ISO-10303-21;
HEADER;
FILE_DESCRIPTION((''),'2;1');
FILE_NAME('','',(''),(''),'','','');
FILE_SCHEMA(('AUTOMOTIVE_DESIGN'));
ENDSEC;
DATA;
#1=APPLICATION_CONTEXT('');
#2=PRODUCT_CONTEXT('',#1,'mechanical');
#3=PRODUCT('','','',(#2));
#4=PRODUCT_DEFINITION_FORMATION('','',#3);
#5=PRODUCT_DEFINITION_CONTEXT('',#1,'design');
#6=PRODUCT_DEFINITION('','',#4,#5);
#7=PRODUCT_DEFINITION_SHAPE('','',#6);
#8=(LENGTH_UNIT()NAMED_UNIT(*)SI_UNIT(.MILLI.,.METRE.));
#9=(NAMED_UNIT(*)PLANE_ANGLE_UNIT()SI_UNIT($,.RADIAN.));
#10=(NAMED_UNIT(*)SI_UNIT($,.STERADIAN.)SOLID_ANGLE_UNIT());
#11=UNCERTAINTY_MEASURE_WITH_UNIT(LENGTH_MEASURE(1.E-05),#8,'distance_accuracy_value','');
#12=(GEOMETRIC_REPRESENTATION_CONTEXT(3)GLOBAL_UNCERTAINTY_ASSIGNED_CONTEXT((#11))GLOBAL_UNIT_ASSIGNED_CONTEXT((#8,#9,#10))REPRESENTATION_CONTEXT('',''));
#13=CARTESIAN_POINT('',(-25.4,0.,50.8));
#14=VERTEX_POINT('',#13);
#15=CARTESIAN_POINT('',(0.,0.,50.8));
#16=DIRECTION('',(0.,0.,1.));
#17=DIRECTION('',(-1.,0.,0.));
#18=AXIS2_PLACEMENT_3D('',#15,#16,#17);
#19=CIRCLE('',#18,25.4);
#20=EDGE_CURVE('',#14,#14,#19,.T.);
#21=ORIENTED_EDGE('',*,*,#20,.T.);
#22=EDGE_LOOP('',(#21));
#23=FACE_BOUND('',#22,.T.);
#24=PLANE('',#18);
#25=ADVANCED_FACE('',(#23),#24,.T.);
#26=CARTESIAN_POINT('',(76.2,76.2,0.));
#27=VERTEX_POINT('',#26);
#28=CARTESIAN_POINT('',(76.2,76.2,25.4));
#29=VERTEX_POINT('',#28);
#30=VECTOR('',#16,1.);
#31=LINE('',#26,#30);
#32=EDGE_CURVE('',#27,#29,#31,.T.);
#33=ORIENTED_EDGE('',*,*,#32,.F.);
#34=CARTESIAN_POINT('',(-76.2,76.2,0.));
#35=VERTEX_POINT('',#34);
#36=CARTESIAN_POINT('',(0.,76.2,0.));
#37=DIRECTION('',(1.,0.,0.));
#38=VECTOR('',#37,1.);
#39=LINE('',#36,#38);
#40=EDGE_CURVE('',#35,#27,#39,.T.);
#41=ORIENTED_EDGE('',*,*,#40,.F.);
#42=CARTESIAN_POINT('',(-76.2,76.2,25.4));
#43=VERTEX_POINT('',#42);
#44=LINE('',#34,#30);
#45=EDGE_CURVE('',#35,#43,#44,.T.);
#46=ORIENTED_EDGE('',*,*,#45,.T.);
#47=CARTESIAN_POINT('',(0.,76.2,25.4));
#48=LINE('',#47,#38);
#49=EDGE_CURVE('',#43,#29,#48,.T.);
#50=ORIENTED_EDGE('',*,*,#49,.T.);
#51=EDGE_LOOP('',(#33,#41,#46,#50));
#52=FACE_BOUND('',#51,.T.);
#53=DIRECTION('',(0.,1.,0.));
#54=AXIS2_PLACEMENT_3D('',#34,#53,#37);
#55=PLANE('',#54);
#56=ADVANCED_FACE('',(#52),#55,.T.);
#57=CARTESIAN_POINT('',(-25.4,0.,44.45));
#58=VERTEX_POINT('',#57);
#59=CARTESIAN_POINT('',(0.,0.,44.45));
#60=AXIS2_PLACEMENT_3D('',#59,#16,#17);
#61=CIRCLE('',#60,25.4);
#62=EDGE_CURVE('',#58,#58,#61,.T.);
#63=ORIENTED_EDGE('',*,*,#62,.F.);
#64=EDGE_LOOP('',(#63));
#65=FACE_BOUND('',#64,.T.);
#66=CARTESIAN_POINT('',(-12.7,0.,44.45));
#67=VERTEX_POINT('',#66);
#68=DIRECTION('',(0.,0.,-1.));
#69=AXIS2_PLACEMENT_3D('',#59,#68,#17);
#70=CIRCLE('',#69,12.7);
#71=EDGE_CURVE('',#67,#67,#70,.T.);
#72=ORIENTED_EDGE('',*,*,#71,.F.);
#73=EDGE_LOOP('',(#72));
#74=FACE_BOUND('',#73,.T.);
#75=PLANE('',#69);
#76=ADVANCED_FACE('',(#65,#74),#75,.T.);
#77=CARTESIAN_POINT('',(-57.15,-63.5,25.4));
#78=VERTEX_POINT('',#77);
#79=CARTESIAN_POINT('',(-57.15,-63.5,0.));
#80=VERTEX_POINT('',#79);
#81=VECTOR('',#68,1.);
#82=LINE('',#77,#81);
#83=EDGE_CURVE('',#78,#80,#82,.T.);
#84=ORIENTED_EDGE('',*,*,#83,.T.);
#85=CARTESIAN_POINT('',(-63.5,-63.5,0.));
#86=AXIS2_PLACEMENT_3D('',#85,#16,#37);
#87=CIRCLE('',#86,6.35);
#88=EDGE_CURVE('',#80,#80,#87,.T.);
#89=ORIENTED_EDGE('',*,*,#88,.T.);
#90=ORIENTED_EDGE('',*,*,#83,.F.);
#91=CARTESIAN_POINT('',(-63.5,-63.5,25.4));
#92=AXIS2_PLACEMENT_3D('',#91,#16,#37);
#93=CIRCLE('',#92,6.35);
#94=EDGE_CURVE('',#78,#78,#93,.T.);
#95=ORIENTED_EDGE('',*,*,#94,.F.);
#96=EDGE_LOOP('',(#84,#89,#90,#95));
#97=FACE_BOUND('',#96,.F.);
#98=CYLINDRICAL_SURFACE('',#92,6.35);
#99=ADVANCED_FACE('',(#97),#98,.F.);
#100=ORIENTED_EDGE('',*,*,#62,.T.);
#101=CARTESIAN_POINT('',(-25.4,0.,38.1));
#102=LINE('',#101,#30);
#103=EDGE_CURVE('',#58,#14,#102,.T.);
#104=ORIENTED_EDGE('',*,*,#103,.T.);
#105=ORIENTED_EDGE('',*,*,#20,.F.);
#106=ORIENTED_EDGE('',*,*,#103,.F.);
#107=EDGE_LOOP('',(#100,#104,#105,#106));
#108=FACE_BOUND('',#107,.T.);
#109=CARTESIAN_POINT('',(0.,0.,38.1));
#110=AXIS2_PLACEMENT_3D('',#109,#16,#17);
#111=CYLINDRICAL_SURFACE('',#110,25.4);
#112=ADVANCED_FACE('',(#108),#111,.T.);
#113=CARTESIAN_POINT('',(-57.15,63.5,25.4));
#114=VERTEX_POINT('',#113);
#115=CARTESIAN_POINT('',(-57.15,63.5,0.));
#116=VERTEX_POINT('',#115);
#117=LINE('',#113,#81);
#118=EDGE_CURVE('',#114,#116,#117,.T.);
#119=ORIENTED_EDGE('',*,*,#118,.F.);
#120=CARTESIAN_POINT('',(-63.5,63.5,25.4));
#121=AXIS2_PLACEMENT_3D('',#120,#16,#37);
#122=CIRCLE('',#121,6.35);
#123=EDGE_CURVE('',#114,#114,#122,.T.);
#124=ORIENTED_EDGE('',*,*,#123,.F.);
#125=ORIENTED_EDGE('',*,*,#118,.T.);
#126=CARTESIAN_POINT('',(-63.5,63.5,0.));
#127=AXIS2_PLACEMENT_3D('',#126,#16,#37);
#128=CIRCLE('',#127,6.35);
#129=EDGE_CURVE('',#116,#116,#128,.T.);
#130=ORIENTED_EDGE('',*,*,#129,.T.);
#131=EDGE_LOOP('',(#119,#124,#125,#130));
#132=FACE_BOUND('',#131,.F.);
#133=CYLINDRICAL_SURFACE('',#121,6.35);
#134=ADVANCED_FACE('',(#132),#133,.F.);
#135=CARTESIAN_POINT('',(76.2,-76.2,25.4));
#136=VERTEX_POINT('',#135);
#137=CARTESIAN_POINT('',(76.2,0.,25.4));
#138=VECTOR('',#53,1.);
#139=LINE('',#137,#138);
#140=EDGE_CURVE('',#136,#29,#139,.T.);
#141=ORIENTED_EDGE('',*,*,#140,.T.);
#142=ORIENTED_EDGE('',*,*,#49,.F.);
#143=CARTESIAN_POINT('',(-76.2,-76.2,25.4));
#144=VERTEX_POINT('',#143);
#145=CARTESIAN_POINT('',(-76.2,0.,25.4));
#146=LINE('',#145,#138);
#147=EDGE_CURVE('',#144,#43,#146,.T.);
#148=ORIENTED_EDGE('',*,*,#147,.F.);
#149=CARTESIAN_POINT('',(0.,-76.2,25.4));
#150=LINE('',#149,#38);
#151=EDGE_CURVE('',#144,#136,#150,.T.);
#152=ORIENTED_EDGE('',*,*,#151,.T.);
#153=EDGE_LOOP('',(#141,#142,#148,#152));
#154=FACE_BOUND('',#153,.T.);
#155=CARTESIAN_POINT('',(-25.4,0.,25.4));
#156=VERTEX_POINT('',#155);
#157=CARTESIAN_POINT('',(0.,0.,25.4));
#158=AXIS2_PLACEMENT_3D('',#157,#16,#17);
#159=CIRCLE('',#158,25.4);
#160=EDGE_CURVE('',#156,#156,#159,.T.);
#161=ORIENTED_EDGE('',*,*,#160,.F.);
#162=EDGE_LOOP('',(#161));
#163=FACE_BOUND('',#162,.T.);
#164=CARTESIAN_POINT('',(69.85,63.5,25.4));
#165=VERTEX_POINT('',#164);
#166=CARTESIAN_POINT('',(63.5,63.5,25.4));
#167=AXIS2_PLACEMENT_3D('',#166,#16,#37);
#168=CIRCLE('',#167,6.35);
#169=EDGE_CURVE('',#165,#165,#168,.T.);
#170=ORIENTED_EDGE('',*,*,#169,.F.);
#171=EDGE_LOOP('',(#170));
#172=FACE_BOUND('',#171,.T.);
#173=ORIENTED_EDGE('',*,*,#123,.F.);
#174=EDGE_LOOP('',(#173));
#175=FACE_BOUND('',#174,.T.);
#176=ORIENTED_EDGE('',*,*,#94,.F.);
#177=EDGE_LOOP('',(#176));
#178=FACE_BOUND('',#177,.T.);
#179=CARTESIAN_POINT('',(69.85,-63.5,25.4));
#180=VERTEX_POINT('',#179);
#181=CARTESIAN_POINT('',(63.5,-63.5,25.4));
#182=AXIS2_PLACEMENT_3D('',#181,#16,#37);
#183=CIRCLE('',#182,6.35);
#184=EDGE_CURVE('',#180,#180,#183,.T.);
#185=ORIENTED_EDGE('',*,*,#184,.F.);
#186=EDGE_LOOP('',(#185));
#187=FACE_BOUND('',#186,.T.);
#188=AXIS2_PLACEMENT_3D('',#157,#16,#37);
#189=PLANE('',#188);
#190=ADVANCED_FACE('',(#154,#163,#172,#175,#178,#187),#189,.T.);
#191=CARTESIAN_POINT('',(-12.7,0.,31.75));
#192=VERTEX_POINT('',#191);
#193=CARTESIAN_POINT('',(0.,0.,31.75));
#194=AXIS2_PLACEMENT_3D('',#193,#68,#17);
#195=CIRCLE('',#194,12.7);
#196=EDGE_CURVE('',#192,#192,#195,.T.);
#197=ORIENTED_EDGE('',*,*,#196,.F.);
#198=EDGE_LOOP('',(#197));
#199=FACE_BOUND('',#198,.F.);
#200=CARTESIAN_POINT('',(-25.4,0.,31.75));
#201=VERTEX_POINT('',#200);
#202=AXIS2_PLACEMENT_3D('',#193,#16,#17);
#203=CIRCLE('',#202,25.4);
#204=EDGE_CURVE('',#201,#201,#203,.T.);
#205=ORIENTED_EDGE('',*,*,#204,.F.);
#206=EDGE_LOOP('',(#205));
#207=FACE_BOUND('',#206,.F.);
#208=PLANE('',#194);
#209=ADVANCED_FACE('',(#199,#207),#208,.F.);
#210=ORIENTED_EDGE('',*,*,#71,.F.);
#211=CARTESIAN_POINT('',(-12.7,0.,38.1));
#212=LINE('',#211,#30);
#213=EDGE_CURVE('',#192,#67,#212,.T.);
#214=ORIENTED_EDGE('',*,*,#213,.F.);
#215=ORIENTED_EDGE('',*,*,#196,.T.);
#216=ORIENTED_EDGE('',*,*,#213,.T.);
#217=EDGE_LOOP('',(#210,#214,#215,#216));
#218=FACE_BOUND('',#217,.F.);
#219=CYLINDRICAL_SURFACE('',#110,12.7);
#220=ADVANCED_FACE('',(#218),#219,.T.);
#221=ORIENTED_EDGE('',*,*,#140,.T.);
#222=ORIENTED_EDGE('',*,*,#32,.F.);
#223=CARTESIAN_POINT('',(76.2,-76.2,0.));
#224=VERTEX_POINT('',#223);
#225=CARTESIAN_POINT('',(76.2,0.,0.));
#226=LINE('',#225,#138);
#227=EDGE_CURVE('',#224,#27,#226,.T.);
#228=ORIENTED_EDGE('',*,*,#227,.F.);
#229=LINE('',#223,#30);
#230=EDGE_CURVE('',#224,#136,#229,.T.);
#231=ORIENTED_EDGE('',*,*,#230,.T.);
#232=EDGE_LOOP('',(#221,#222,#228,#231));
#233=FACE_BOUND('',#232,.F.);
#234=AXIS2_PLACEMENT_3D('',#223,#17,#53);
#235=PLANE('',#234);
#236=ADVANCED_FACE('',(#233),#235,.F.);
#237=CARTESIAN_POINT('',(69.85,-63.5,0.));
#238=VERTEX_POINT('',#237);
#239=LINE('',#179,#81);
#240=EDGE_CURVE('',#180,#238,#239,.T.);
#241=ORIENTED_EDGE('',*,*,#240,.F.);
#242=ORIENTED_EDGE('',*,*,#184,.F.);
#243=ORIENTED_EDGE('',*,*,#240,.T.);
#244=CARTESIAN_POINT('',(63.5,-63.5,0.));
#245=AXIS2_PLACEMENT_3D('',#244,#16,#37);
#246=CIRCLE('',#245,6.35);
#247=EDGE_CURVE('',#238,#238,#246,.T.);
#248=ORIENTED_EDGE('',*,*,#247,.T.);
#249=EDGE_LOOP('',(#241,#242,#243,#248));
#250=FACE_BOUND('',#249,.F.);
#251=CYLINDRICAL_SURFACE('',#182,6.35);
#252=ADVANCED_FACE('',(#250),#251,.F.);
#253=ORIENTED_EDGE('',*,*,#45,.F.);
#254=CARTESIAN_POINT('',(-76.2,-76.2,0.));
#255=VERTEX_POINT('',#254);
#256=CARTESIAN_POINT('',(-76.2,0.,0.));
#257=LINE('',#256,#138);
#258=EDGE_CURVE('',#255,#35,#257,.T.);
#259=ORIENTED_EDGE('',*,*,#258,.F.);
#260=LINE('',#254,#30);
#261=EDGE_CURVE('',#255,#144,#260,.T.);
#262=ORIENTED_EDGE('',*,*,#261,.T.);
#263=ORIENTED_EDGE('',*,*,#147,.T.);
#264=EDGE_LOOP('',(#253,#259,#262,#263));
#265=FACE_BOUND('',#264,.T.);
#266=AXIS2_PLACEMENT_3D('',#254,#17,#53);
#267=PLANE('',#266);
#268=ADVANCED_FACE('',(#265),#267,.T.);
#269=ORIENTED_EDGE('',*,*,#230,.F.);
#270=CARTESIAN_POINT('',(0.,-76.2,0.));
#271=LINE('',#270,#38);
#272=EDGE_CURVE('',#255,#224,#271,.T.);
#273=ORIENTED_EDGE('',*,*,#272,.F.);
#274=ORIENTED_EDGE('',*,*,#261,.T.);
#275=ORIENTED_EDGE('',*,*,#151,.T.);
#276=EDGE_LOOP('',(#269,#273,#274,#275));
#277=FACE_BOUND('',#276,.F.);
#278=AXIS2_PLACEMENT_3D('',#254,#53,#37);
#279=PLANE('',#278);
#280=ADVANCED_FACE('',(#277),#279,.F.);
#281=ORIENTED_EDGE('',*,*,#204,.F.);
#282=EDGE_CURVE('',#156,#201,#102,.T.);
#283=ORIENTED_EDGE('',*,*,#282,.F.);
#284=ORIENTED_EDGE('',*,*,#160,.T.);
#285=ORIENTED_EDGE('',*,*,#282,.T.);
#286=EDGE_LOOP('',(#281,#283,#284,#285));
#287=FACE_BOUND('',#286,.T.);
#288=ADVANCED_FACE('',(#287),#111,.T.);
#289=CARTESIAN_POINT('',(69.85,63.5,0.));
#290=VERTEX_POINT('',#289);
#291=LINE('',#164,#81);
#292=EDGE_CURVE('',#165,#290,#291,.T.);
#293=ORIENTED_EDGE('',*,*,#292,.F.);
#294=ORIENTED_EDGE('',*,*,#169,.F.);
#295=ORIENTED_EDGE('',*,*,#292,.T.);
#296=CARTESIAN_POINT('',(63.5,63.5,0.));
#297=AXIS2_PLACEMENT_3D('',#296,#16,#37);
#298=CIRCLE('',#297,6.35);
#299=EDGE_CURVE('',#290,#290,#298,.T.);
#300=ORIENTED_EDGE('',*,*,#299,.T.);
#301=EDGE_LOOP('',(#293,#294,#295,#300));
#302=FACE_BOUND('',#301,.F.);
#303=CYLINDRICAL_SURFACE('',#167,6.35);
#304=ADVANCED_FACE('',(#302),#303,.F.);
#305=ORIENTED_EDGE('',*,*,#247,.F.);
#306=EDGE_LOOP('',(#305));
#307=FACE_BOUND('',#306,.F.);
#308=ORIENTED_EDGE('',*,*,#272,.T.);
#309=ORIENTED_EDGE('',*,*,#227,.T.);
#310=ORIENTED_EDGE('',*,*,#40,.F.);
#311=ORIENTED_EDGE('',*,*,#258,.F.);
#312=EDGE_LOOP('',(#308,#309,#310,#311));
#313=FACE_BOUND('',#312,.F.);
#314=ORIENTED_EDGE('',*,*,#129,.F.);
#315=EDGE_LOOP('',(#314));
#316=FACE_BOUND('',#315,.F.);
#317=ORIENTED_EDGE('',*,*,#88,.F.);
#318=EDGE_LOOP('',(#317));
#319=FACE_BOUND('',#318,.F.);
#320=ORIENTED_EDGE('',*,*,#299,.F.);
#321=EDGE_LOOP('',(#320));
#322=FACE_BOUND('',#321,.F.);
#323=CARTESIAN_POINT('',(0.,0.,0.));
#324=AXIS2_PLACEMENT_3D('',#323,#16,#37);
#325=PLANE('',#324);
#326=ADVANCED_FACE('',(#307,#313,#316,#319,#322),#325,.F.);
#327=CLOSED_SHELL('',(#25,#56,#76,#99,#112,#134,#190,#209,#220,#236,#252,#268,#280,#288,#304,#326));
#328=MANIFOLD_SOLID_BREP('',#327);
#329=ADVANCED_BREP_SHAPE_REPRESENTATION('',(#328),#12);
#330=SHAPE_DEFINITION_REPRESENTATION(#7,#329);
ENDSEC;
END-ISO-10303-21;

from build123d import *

# Parameters (mm, degrees)
F0_W     = 152.4
F0_H     = 152.4
F1_DEPTH = 25.4
F2_R     = 6.35
F3_DEPTH = 25.401
F4_W     = 25.4
F4_H     = 25.4
F6_W     = 25.4
F6_H     = 12.7


with BuildPart() as f1:
    # F0 (on Top) → F1 (new body)
    with BuildSketch(Plane.XY):
        Rectangle(F0_W, F0_H)
    extrude(amount=F1_DEPTH)

    # F2 (on face) → F3 (cut, through all)
    with BuildSketch(Plane.XY.offset(25.4)):
        with Locations((-63.5, 63.5)):
            Circle(F2_R)
        with Locations((63.5, 63.5)):
            Circle(F2_R)
        with Locations((63.5, -63.5)):
            Circle(F2_R)
        with Locations((-63.5, -63.5)):
            Circle(F2_R)
    extrude(amount=-F3_DEPTH, mode=Mode.SUBTRACT)

    # F4 (on Front) → F5 (revolve)
    with BuildSketch(Plane.XZ):
        with Locations((-12.7, 38.1)):
            Rectangle(F4_W, F4_H)
    revolve(axis=Axis((0, 0, 38.1), (0, 0, 1)))

    # F6 (on Front) → F7 (revolve, cut)
    with BuildSketch(Plane.XZ):
        with Locations((-25.4, 38.1)):
            Rectangle(F6_W, F6_H)
    revolve(axis=Axis((0, 0, 50.8), (0, 0, -1)), mode=Mode.SUBTRACT)


solid = f1.part
